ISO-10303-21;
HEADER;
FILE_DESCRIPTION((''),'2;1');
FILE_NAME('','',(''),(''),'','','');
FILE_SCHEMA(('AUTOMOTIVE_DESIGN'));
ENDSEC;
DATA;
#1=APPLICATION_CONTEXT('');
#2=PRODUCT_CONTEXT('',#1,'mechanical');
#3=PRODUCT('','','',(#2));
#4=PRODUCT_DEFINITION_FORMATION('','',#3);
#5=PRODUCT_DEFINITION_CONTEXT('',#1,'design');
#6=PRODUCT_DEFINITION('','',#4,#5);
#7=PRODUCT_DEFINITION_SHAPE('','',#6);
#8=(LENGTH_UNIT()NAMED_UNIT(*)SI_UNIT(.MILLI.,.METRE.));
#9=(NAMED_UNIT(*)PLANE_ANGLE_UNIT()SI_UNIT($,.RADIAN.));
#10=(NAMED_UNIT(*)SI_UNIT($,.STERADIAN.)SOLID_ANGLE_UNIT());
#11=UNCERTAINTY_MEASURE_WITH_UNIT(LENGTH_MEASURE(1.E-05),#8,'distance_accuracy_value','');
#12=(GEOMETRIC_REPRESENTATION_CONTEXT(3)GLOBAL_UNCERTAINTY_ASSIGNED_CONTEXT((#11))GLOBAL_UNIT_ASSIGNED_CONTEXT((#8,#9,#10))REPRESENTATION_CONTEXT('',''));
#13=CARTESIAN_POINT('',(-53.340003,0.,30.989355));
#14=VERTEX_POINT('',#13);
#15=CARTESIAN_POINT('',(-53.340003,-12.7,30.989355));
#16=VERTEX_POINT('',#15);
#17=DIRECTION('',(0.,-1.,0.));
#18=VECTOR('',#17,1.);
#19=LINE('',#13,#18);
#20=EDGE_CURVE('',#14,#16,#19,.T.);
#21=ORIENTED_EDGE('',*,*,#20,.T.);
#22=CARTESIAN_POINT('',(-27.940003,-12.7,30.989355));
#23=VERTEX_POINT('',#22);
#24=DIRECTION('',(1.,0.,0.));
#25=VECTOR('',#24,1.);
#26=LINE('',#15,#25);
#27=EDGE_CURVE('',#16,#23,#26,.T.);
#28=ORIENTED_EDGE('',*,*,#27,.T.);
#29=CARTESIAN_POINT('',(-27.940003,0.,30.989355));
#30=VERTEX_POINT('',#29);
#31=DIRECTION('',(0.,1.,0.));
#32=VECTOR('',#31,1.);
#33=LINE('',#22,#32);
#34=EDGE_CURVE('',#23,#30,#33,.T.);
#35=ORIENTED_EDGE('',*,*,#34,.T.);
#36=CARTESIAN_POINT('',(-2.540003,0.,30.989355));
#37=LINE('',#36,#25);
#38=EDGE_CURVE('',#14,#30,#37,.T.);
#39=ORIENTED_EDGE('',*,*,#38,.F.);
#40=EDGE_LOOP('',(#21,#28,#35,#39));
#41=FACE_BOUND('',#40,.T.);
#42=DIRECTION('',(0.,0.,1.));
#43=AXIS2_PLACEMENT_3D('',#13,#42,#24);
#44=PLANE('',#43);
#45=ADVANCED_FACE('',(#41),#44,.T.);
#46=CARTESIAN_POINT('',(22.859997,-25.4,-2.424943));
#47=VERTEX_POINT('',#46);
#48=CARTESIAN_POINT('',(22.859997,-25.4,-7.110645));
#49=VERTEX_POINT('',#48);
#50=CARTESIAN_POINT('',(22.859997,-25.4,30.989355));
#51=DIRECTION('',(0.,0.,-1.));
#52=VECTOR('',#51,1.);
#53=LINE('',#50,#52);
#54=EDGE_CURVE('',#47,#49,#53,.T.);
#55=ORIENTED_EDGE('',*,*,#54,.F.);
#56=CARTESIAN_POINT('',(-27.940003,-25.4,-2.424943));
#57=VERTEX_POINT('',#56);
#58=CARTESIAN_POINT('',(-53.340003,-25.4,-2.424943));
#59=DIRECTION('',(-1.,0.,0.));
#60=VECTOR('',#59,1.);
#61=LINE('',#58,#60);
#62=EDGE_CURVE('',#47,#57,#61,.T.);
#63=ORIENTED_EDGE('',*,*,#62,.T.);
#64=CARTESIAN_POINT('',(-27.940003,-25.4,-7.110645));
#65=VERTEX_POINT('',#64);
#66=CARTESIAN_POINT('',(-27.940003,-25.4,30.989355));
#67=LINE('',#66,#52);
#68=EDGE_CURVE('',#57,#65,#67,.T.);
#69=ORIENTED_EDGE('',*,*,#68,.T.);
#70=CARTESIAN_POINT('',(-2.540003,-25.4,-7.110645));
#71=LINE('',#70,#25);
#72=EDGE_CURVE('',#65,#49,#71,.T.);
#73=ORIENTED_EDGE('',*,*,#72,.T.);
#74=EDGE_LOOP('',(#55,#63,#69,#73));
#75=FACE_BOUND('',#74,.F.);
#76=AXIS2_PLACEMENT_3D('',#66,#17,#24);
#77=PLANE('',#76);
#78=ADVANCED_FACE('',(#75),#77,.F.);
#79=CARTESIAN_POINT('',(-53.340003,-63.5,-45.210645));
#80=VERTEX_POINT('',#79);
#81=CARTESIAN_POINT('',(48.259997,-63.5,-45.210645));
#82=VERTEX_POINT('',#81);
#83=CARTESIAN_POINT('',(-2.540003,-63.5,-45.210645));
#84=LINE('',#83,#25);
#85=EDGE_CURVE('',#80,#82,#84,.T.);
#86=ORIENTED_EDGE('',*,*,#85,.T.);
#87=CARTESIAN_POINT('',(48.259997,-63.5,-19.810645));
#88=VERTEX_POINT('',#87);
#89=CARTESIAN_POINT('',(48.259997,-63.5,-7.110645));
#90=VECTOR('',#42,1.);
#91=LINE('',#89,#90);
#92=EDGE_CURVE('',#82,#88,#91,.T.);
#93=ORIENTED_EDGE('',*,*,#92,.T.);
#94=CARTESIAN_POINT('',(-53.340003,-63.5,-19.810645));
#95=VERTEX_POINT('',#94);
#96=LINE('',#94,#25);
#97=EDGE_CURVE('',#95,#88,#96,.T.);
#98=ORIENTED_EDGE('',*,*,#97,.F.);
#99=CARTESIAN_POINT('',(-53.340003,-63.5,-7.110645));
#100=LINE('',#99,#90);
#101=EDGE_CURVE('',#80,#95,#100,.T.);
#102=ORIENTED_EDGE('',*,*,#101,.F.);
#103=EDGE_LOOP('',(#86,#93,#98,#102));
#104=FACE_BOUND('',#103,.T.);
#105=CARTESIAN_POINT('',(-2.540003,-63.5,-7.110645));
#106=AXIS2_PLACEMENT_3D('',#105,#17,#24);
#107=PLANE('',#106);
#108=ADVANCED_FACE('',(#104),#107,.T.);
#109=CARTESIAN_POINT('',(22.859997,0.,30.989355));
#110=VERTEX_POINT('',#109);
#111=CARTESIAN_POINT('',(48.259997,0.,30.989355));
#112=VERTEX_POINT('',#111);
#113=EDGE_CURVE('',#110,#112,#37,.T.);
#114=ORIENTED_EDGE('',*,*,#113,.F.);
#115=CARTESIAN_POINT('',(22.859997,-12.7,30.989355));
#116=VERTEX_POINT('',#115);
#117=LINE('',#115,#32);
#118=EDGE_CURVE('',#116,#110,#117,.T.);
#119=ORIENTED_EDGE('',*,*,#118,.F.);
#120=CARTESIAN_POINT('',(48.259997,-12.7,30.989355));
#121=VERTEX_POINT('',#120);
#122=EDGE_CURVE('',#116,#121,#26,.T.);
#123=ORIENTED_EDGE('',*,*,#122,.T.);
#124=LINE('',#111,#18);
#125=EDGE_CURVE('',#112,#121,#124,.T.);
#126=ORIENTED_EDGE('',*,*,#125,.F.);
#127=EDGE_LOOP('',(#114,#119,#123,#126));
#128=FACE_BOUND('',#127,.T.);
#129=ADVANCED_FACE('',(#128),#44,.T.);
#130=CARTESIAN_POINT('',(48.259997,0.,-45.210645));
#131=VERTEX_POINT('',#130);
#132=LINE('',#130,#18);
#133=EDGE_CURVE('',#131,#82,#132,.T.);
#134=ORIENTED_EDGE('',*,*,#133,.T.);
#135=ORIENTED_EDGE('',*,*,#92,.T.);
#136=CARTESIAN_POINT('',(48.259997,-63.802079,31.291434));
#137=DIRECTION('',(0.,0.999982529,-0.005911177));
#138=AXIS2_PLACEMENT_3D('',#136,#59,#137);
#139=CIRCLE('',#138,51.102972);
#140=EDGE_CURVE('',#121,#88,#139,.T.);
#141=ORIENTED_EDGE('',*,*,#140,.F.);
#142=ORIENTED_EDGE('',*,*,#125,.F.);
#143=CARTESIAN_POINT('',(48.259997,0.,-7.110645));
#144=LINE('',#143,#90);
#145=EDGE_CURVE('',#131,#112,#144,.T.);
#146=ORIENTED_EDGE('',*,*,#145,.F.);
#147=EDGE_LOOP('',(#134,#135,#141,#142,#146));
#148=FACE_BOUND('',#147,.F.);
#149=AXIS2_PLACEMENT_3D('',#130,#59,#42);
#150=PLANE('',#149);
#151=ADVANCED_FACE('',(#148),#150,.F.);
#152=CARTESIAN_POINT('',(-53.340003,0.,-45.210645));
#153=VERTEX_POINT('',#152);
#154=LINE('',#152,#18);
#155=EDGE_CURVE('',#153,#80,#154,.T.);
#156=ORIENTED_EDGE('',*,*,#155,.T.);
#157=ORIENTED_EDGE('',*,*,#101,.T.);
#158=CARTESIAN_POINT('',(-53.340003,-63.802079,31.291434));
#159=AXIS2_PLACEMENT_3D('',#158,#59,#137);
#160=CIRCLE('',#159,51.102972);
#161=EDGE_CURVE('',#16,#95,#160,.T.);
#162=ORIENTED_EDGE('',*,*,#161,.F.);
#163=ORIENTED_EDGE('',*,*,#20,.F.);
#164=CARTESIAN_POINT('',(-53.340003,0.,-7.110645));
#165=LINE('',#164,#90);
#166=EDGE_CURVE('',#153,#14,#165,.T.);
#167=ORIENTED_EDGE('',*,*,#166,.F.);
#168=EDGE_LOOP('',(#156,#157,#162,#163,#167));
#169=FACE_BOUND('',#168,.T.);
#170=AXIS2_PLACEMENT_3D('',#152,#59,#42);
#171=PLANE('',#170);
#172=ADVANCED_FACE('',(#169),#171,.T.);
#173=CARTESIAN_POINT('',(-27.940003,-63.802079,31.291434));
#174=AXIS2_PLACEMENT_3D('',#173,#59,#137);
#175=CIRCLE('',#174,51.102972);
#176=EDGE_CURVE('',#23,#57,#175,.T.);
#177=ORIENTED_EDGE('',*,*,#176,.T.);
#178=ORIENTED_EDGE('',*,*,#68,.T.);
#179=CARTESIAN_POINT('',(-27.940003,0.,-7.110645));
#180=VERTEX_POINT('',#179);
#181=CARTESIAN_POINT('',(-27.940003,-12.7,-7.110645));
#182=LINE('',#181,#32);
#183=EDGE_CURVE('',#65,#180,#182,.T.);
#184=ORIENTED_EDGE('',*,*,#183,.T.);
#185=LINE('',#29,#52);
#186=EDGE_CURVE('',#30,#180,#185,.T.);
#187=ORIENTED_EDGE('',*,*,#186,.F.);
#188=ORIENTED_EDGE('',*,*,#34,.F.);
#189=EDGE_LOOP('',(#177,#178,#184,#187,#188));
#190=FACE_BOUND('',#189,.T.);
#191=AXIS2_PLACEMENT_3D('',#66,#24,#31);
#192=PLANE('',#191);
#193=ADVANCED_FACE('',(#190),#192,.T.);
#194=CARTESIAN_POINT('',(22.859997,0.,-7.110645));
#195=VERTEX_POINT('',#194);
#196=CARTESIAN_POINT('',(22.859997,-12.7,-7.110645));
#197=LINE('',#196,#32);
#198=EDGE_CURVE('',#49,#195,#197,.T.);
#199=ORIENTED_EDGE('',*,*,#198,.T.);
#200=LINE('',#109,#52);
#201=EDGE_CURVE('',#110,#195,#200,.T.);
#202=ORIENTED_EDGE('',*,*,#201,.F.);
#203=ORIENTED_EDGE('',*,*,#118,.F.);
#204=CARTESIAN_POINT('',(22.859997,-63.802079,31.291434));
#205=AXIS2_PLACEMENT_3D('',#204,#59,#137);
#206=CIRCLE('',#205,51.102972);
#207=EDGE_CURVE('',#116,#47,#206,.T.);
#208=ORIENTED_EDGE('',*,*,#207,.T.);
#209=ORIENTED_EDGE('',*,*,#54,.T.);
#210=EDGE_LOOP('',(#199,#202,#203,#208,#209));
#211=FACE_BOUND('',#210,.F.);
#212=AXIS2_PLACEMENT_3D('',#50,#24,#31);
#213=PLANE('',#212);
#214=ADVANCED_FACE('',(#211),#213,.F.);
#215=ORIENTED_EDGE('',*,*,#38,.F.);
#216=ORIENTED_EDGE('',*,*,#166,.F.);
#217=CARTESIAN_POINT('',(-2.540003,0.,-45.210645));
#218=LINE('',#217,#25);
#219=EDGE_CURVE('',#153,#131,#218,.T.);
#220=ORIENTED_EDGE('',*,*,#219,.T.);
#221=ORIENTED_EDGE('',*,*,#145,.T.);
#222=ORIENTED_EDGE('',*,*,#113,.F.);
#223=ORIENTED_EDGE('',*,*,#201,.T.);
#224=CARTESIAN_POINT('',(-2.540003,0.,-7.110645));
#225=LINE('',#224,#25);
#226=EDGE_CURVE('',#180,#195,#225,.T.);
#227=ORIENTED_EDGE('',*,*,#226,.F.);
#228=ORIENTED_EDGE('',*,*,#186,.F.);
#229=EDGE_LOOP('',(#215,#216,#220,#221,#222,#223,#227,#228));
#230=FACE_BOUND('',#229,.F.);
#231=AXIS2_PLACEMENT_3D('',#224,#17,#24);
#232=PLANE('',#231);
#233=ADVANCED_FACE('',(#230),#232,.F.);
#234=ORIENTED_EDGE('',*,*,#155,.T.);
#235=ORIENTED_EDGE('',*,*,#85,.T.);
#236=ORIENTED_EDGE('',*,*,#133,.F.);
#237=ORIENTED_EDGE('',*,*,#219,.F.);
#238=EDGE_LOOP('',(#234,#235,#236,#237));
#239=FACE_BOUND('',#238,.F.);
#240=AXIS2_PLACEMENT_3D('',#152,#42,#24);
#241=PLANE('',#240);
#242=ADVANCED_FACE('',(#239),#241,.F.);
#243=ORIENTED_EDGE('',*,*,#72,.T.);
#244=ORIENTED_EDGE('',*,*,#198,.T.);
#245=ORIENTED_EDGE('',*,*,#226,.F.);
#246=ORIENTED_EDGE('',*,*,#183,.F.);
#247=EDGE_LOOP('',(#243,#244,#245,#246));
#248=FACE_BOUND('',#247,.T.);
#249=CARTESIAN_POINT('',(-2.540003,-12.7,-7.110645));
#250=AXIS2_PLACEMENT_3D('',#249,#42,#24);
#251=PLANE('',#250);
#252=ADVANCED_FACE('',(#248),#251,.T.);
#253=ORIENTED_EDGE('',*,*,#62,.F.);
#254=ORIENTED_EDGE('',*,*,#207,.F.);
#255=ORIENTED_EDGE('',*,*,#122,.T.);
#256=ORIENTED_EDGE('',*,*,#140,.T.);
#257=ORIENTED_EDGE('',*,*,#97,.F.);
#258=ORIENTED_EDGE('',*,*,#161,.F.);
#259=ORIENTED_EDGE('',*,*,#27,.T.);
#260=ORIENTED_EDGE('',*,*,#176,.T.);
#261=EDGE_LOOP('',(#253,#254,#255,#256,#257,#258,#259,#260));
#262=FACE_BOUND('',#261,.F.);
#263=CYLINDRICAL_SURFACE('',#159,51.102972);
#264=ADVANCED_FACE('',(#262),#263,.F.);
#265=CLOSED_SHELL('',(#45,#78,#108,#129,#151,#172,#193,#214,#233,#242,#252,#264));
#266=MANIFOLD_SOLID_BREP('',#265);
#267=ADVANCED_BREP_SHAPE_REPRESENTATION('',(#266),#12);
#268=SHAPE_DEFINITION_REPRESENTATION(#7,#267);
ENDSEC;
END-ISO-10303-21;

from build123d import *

# Parameters (mm, degrees)
F0_W     = 101.6
F0_H     = 76.2
F1_DEPTH = 63.5
F3_DEPTH = 101.6
F4_W     = 50.8
F4_H     = 25.4
F5_DEPTH = 38.1


with BuildPart() as f1:
    # F0 (on Front) → F1 (new body)
    with BuildSketch(Plane.XZ):
        with Locations((-2.540003, -7.110645)):
            Rectangle(F0_W, F0_H)
    extrude(amount=F1_DEPTH)

    # F2 (on face) → F3 (cut)
    with BuildSketch(Plane(origin=(-53.340003, 0, 0), x_dir=(0, -1, 0), z_dir=(-1, 0, 0))):
        with BuildLine():
            Line((63.5, 30.989355), (12.7, 30.989355))
            ThreePointArc((12.7, 30.989355), (27.666821, -4.843824), (63.5, -19.810645))
            Line((63.5, -19.810645), (63.5, 30.989355))
        make_face()
    extrude(amount=-F3_DEPTH, mode=Mode.SUBTRACT)

    # F4 (on face) → F5 (cut)
    with BuildSketch(Plane.XY.offset(30.989355)):
        with Locations((-2.540003, -12.7)):
            Rectangle(F4_W, F4_H)
    extrude(amount=-F5_DEPTH, mode=Mode.SUBTRACT)


solid = f1.part
